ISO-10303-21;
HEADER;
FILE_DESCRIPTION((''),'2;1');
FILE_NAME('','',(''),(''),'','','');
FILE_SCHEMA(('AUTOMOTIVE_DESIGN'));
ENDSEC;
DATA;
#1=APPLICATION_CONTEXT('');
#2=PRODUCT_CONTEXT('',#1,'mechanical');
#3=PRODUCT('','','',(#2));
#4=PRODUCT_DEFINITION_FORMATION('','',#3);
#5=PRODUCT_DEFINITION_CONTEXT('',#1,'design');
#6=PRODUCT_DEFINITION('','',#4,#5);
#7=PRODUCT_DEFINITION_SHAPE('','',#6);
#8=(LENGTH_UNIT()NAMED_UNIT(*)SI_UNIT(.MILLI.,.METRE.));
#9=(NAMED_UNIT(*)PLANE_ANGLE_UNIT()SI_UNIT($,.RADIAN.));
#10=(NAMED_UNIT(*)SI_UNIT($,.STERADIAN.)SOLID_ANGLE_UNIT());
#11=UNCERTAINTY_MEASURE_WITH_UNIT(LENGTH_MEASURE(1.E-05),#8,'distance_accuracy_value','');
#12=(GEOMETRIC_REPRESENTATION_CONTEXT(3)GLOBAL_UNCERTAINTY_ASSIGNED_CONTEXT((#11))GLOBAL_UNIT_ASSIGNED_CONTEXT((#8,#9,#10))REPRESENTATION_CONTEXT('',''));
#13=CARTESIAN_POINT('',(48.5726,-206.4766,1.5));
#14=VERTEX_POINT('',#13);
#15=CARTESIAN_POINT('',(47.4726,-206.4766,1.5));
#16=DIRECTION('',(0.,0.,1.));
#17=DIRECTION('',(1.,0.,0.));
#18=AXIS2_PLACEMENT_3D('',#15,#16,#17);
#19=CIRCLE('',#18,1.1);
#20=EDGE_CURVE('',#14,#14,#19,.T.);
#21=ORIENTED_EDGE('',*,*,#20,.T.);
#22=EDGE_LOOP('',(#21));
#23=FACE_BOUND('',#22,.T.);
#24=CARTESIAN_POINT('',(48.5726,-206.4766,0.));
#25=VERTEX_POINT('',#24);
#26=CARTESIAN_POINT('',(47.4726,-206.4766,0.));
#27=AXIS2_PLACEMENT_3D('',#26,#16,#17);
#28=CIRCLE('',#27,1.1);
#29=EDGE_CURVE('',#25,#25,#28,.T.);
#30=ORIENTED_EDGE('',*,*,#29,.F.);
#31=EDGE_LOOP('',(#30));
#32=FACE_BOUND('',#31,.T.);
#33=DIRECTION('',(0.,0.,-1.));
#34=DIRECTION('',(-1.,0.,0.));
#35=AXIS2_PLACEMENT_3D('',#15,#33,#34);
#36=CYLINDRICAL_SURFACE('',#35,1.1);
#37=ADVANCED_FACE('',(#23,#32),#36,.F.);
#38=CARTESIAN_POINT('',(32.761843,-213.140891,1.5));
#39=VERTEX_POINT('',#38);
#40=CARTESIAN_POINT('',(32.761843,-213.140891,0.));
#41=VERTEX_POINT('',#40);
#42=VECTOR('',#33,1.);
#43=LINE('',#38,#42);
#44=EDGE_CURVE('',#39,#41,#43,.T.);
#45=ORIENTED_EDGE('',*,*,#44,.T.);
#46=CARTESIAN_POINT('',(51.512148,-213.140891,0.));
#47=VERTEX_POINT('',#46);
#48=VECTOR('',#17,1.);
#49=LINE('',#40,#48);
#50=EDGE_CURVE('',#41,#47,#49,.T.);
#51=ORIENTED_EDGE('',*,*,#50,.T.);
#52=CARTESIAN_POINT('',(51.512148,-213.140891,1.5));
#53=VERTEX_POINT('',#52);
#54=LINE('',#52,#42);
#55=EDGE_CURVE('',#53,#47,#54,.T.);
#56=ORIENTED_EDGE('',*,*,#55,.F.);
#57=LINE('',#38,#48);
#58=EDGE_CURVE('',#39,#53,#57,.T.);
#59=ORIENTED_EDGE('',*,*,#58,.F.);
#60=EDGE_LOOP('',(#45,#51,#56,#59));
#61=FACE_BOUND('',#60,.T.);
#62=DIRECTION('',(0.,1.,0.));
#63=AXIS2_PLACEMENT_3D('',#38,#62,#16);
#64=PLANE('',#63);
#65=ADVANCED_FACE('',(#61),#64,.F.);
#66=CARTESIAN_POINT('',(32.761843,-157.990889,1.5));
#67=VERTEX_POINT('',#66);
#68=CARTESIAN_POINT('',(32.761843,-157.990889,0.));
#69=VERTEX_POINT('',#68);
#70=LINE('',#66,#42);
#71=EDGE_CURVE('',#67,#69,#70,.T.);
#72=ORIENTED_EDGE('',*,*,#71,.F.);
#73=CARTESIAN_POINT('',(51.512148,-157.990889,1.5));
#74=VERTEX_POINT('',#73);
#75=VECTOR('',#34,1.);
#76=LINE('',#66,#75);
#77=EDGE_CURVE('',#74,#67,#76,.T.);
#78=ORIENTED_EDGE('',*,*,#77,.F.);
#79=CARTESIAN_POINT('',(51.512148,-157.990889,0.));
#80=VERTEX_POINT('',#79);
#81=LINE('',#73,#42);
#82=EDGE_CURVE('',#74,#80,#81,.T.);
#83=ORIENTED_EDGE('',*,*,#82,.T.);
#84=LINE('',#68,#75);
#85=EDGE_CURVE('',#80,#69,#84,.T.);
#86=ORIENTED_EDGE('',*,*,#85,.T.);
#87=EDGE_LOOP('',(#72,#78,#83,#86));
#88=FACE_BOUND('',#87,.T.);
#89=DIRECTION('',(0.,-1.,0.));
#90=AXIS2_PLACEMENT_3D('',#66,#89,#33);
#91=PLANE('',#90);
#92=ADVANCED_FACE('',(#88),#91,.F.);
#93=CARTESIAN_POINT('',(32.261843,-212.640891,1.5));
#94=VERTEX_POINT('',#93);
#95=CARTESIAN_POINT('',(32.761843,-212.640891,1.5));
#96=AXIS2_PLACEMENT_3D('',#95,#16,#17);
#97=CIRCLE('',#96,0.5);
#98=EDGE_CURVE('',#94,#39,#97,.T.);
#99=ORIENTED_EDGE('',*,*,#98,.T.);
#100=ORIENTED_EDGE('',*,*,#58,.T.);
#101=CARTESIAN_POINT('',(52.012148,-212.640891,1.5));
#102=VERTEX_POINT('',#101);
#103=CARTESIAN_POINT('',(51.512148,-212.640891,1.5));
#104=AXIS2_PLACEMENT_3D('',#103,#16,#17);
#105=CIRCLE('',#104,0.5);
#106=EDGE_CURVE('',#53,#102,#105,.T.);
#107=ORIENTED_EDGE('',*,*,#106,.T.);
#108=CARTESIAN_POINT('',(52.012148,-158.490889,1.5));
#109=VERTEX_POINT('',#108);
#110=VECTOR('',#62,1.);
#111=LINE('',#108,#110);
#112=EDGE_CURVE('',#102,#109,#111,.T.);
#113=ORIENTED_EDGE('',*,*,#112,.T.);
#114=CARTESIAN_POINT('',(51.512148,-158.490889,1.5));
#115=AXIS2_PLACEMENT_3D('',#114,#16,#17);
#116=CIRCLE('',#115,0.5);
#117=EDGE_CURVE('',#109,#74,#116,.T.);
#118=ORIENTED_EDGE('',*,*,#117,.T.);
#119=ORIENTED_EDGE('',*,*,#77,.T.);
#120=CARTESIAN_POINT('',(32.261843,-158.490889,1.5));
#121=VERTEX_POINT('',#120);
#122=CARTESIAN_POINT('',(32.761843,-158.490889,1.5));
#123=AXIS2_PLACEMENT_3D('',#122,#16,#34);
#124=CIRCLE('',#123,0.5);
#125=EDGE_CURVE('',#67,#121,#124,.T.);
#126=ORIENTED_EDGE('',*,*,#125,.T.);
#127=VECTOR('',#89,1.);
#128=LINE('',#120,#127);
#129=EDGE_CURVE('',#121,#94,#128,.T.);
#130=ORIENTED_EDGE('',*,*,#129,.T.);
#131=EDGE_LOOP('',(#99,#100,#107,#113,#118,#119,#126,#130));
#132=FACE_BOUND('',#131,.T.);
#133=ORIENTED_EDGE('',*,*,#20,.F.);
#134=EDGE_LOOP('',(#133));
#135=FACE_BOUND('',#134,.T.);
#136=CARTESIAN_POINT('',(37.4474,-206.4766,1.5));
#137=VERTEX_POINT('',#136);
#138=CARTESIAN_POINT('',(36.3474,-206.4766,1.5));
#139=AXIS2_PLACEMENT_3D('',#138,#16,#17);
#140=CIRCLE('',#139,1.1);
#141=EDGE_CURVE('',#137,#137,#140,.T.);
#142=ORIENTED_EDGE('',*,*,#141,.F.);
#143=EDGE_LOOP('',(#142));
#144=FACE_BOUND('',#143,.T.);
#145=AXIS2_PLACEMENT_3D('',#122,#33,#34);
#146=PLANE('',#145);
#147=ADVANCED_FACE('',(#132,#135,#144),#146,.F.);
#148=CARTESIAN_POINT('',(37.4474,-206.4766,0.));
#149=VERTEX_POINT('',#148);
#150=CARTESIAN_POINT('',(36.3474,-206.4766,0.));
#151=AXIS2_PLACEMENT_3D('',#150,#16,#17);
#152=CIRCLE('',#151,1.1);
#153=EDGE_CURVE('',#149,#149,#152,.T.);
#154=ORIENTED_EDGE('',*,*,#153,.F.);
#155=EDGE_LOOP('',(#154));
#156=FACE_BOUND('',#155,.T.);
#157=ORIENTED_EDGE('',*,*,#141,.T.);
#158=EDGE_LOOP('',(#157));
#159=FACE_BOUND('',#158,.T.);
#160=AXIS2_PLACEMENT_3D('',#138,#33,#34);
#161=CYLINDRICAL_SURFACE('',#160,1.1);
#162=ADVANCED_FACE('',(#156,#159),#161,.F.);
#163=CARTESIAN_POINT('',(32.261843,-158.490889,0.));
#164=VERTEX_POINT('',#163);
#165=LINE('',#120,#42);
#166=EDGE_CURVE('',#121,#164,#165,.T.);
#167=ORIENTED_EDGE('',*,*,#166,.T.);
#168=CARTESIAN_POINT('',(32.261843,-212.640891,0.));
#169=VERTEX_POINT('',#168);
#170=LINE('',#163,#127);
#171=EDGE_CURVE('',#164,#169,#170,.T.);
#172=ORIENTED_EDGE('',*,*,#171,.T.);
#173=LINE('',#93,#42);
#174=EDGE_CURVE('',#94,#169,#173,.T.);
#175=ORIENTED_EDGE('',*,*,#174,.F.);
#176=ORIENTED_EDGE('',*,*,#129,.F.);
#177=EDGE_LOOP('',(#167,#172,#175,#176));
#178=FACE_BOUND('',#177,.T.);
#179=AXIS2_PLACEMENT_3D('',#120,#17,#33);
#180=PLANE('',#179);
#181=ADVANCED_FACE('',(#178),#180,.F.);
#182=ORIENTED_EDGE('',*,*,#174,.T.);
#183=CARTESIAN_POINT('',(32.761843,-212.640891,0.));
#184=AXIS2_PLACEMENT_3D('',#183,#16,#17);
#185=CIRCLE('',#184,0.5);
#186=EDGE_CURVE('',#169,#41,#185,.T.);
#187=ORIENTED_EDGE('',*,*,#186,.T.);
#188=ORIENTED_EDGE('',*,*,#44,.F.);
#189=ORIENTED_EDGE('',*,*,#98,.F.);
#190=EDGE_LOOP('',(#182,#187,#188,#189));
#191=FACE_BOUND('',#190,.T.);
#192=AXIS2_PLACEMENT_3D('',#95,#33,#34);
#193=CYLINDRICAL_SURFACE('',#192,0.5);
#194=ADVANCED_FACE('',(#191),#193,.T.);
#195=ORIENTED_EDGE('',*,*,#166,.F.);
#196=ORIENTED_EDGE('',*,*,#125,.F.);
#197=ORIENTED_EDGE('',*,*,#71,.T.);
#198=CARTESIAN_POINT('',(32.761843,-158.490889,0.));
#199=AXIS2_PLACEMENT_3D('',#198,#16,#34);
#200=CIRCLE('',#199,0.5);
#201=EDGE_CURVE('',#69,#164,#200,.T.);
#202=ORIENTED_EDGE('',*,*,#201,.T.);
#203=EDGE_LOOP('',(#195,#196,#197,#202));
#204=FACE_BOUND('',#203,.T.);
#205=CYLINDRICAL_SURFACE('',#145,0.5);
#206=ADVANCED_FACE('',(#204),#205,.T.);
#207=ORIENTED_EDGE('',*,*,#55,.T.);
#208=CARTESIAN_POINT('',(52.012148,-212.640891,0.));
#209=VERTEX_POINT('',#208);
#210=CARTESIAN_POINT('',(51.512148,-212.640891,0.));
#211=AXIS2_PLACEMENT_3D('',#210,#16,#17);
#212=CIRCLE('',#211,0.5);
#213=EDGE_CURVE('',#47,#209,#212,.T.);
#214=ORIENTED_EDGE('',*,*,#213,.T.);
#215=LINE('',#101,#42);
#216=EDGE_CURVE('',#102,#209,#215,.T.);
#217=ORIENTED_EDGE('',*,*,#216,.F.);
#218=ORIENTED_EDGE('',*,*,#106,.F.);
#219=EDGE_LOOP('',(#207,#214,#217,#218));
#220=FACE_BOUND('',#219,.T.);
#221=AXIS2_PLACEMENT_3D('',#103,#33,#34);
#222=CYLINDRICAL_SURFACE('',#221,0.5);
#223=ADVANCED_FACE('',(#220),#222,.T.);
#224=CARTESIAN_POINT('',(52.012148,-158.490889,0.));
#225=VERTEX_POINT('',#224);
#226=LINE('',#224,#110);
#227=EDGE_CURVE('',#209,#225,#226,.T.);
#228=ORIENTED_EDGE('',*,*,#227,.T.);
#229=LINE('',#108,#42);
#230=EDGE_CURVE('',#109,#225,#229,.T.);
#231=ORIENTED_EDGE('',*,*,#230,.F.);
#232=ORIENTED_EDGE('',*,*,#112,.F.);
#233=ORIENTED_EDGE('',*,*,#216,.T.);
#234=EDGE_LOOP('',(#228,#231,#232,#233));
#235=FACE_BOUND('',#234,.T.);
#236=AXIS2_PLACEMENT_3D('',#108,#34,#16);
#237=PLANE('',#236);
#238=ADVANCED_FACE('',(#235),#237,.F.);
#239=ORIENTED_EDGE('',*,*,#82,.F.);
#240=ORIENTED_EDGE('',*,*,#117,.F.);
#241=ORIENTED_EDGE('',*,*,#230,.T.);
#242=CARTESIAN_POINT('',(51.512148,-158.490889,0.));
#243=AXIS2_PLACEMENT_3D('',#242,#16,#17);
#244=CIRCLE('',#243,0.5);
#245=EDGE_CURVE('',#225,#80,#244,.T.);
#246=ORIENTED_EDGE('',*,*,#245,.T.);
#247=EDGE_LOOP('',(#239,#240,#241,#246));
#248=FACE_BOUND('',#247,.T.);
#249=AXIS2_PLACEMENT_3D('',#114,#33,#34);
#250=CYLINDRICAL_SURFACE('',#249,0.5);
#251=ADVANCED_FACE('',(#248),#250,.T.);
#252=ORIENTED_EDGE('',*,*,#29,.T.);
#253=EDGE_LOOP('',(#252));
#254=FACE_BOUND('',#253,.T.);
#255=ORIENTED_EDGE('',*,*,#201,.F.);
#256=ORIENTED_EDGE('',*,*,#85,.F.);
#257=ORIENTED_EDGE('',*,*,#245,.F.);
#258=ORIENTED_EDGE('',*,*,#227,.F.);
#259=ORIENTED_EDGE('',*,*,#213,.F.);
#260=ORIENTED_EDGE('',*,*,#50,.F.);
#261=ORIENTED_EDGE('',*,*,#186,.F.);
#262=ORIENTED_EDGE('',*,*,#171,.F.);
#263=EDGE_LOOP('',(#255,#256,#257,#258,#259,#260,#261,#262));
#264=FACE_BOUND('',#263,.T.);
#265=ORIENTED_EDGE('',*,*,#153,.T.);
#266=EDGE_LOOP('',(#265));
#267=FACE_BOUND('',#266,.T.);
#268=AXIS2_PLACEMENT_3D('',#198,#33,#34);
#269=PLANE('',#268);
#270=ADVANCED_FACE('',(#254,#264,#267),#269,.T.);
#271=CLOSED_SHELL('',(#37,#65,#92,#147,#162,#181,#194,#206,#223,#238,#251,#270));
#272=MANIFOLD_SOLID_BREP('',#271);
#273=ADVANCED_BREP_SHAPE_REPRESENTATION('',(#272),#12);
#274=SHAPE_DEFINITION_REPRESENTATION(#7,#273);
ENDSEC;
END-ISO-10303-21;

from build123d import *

# Parameters (mm, degrees)
ESQUISSE2_R        = 1.1
BOSS_EXTRU_1_DEPTH = 1.5


with BuildPart() as part:
    # Esquisse2 → Boss.-Extru.1 (new body)
    with BuildSketch(Plane.XY):
        with BuildLine():
            Line((32.261843, -158.490889), (32.261843, -212.640891272))
            ThreePointArc((32.261843, -212.640891272), (32.408289609, -212.994444663), (32.761843, -213.140891272))
            Line((32.761843, -213.140891272), (51.512148163, -213.140891272))
            ThreePointArc((51.512148163, -213.140891272), (51.865701554, -212.994444663), (52.012148163, -212.640891272))
            Line((52.012148163, -212.640891272), (52.012148163, -158.490889))
            ThreePointArc((52.012148163, -158.490889), (51.865701554, -158.137335609), (51.512148163, -157.990889))
            Line((51.512148163, -157.990889), (32.761843, -157.990889))
            ThreePointArc((32.761843, -157.990889), (32.408289609, -158.137335609), (32.261843, -158.490889))
        make_face()
        with Locations((36.3474, -206.4766)):
            Circle(ESQUISSE2_R, mode=Mode.SUBTRACT)
        with Locations((47.4726, -206.4766)):
            Circle(ESQUISSE2_R, mode=Mode.SUBTRACT)
    extrude(amount=BOSS_EXTRU_1_DEPTH)


solid = part.part
